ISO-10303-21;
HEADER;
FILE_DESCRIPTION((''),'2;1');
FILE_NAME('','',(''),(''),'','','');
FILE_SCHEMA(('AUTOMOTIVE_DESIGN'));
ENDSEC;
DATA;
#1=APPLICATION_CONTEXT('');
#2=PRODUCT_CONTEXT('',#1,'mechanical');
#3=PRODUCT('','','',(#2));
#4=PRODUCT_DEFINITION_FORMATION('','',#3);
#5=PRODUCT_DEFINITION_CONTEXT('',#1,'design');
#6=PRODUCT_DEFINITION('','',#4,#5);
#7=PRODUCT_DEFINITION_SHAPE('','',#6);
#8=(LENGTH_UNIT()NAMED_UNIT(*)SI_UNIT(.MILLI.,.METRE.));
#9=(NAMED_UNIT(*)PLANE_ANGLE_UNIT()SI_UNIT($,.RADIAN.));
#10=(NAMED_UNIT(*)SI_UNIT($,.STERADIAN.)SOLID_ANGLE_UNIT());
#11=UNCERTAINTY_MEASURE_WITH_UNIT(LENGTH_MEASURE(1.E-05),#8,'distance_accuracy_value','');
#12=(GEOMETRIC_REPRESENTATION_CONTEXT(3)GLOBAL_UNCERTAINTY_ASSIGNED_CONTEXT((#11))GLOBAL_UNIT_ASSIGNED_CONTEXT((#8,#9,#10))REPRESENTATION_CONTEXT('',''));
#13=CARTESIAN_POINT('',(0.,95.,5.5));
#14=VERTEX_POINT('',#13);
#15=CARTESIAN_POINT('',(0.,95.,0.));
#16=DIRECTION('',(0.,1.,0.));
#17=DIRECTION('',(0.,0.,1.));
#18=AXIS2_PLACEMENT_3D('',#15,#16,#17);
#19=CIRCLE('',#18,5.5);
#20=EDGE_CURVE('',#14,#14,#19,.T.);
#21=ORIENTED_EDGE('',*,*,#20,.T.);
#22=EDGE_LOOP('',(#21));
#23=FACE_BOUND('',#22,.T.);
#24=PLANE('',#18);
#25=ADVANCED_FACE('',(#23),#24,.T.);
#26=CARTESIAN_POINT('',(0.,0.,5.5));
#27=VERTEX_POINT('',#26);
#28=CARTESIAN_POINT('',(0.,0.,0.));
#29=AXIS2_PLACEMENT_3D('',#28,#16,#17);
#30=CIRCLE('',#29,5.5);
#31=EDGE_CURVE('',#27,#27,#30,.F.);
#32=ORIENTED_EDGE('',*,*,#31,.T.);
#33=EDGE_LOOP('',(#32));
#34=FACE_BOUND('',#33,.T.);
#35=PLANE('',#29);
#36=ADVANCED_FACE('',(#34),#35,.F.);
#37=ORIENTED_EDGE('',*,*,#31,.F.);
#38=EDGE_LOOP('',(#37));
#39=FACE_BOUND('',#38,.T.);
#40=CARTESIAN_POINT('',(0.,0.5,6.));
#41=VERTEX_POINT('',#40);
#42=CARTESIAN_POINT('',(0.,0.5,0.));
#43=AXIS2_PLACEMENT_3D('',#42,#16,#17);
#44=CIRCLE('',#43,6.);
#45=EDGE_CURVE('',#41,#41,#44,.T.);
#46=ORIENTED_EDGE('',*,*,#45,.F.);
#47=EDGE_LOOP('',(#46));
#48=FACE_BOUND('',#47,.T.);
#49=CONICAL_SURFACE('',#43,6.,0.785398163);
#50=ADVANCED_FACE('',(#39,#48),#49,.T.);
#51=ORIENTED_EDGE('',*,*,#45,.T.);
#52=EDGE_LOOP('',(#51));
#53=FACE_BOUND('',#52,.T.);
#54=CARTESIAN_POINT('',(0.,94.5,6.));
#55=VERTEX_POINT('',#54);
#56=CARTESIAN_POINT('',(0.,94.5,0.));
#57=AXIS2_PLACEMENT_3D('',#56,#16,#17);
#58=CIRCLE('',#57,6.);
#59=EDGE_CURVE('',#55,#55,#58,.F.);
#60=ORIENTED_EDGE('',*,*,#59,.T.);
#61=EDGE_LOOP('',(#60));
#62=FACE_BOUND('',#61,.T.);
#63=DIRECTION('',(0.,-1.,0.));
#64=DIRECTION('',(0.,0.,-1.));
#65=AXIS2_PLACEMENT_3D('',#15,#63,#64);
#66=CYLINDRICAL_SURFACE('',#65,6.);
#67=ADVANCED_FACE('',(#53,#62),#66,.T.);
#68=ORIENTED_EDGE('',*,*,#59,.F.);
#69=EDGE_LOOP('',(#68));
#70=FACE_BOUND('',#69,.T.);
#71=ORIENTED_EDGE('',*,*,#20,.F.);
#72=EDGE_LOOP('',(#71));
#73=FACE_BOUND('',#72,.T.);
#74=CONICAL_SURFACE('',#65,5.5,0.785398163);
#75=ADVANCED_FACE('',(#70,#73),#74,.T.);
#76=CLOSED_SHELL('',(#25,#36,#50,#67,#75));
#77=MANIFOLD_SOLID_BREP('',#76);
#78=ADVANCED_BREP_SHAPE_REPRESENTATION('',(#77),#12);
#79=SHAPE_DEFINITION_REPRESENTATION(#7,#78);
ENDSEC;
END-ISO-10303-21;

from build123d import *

# Parameters (mm, degrees)
SKETCH1_R           = 6
BOSS_EXTRUDE1_DEPTH = 95
CHAMFER1_SIZE       = 0.5


with BuildPart() as part:
    # Sketch1 → Boss-Extrude1 (new body)
    with BuildSketch(Plane(origin=(0, 0, 0), x_dir=(1, 0, 0), z_dir=(0, 1, 0))):
        Circle(SKETCH1_R)
    extrude(amount=BOSS_EXTRUDE1_DEPTH)

    # Chamfer1
    chamfer1_edges = [part.edges().sort_by_distance(p)[0] for p in [
        (-6, 0, 0),
        (-6, 95, 0),
    ]]
    chamfer(chamfer1_edges, length=CHAMFER1_SIZE)


solid = part.part
